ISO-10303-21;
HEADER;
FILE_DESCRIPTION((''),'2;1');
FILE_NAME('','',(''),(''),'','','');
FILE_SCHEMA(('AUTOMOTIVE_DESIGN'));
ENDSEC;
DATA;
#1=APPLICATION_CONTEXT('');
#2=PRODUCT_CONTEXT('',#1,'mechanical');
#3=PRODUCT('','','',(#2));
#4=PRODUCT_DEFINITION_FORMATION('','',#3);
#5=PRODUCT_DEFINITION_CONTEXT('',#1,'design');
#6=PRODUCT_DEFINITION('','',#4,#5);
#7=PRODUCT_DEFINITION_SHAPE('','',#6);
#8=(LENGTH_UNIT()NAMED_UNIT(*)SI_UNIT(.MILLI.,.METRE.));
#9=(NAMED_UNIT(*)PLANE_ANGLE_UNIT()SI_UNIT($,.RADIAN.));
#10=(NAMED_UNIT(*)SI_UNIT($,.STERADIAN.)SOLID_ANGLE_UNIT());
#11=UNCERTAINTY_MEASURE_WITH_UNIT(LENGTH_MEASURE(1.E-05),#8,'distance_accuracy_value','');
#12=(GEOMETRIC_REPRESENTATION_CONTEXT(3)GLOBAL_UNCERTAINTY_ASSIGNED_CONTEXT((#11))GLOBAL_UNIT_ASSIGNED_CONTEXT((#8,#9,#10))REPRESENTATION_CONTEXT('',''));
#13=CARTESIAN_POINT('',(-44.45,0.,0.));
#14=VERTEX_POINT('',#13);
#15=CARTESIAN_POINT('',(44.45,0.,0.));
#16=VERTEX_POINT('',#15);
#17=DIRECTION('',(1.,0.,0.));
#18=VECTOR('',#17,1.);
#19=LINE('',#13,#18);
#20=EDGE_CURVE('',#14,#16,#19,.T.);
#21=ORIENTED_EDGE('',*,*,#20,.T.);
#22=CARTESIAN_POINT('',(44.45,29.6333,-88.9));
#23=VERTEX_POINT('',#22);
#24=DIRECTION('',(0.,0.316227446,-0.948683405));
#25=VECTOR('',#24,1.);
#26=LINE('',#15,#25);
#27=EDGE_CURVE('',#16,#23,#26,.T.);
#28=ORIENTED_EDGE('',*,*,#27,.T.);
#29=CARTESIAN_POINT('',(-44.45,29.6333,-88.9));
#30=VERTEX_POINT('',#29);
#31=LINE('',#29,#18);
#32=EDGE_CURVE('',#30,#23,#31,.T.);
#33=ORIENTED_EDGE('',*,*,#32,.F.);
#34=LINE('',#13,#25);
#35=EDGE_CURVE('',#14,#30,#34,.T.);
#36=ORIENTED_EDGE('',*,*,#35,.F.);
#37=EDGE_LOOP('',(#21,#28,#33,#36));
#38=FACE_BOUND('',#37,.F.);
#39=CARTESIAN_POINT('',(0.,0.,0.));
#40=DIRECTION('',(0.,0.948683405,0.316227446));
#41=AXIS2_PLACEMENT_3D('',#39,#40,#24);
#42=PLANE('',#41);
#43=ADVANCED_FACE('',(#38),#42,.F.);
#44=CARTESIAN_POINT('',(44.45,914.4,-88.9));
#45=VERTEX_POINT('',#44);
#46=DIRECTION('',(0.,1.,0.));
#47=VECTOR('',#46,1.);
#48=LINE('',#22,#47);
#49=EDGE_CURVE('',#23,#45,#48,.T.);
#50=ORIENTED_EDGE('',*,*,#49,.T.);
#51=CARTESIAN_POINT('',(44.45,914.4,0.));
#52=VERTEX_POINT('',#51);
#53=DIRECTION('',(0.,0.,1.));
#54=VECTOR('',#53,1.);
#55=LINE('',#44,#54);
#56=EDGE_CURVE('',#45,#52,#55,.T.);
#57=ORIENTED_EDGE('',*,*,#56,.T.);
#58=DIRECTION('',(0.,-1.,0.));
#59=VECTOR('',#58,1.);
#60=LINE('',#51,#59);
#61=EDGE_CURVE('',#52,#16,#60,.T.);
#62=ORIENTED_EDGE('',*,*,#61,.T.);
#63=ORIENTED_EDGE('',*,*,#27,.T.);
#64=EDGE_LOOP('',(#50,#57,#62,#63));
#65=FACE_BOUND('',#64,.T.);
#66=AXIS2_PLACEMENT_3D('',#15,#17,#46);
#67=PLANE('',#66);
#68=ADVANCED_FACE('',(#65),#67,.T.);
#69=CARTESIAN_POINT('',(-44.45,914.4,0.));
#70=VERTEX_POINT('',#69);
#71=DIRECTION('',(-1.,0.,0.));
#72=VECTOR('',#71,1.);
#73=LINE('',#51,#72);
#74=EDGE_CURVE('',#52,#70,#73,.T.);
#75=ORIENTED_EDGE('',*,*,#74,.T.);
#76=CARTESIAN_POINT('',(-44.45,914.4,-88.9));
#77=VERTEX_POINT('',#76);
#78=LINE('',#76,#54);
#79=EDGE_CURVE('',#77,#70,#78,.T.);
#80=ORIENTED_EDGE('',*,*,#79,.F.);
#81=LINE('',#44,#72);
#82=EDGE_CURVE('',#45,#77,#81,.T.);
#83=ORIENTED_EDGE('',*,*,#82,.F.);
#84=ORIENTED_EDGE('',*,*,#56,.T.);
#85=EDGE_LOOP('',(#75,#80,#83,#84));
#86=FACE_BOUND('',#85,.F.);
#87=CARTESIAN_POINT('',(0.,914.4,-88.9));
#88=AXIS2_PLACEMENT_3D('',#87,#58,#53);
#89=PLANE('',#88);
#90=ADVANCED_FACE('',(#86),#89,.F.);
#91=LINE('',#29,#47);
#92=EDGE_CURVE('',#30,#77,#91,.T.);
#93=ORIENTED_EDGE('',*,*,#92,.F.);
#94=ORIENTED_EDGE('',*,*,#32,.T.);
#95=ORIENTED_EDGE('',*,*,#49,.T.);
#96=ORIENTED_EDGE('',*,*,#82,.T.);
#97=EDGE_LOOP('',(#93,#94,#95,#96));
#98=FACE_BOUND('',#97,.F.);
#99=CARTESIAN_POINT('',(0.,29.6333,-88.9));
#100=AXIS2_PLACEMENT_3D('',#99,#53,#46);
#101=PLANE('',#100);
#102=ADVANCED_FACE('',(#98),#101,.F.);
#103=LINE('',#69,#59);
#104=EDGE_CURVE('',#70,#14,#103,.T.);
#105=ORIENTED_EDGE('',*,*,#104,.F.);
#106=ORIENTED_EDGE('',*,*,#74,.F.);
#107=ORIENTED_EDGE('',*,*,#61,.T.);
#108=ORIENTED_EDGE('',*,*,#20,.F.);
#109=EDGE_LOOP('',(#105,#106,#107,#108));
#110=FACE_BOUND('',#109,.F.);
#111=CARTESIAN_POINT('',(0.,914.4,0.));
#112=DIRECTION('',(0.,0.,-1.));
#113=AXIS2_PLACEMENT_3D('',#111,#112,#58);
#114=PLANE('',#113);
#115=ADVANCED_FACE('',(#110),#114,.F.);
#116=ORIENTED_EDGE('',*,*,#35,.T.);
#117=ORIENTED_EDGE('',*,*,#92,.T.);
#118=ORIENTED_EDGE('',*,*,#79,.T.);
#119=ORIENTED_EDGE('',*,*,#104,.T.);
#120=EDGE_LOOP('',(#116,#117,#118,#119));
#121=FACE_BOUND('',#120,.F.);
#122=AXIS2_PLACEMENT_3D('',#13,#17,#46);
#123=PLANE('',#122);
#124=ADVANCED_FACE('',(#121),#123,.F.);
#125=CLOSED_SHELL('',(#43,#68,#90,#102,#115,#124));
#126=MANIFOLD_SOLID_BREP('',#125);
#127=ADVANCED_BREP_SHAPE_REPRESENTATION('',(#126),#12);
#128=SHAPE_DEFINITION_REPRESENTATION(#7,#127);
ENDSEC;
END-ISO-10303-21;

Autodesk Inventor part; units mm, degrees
ref_plane "YZ Plane" through (0, 0, 0) normal (1, 0, 0) x (0, 1, 0)
ref_plane "XZ Plane" through (0, 0, 0) normal (0, 1, 0) x (-1, 0, 0)
ref_plane "XY Plane" through (0, 0, 0) normal (0, 0, 1) x (1, 0, 0)
sketch "Sketch1" plane through (0, 0, 0) normal (1, 0, 0) x (0, 1, 0)
  line L0 (0, 0) -> (29.6333, -88.9)
  line L1 (29.6333, -88.9) -> (914.4, -88.9)
  line L2 (914.4, -88.9) -> (914.4, 0)
  line L3 (914.4, 0) -> (0, 0)
  line L4 (0, 0) -> (0, -88.9) construction
  dimension "width" = 88.9
  dimension "roofAngle" = 18.435
  dimension "height" = 914.4
extrude "Extrusion1" add sketch "Sketch1" along normal mid plane 88.9
equation "\"d3\" = width"
properties part number "4x4x36-post" material "Wood (Birch)"
